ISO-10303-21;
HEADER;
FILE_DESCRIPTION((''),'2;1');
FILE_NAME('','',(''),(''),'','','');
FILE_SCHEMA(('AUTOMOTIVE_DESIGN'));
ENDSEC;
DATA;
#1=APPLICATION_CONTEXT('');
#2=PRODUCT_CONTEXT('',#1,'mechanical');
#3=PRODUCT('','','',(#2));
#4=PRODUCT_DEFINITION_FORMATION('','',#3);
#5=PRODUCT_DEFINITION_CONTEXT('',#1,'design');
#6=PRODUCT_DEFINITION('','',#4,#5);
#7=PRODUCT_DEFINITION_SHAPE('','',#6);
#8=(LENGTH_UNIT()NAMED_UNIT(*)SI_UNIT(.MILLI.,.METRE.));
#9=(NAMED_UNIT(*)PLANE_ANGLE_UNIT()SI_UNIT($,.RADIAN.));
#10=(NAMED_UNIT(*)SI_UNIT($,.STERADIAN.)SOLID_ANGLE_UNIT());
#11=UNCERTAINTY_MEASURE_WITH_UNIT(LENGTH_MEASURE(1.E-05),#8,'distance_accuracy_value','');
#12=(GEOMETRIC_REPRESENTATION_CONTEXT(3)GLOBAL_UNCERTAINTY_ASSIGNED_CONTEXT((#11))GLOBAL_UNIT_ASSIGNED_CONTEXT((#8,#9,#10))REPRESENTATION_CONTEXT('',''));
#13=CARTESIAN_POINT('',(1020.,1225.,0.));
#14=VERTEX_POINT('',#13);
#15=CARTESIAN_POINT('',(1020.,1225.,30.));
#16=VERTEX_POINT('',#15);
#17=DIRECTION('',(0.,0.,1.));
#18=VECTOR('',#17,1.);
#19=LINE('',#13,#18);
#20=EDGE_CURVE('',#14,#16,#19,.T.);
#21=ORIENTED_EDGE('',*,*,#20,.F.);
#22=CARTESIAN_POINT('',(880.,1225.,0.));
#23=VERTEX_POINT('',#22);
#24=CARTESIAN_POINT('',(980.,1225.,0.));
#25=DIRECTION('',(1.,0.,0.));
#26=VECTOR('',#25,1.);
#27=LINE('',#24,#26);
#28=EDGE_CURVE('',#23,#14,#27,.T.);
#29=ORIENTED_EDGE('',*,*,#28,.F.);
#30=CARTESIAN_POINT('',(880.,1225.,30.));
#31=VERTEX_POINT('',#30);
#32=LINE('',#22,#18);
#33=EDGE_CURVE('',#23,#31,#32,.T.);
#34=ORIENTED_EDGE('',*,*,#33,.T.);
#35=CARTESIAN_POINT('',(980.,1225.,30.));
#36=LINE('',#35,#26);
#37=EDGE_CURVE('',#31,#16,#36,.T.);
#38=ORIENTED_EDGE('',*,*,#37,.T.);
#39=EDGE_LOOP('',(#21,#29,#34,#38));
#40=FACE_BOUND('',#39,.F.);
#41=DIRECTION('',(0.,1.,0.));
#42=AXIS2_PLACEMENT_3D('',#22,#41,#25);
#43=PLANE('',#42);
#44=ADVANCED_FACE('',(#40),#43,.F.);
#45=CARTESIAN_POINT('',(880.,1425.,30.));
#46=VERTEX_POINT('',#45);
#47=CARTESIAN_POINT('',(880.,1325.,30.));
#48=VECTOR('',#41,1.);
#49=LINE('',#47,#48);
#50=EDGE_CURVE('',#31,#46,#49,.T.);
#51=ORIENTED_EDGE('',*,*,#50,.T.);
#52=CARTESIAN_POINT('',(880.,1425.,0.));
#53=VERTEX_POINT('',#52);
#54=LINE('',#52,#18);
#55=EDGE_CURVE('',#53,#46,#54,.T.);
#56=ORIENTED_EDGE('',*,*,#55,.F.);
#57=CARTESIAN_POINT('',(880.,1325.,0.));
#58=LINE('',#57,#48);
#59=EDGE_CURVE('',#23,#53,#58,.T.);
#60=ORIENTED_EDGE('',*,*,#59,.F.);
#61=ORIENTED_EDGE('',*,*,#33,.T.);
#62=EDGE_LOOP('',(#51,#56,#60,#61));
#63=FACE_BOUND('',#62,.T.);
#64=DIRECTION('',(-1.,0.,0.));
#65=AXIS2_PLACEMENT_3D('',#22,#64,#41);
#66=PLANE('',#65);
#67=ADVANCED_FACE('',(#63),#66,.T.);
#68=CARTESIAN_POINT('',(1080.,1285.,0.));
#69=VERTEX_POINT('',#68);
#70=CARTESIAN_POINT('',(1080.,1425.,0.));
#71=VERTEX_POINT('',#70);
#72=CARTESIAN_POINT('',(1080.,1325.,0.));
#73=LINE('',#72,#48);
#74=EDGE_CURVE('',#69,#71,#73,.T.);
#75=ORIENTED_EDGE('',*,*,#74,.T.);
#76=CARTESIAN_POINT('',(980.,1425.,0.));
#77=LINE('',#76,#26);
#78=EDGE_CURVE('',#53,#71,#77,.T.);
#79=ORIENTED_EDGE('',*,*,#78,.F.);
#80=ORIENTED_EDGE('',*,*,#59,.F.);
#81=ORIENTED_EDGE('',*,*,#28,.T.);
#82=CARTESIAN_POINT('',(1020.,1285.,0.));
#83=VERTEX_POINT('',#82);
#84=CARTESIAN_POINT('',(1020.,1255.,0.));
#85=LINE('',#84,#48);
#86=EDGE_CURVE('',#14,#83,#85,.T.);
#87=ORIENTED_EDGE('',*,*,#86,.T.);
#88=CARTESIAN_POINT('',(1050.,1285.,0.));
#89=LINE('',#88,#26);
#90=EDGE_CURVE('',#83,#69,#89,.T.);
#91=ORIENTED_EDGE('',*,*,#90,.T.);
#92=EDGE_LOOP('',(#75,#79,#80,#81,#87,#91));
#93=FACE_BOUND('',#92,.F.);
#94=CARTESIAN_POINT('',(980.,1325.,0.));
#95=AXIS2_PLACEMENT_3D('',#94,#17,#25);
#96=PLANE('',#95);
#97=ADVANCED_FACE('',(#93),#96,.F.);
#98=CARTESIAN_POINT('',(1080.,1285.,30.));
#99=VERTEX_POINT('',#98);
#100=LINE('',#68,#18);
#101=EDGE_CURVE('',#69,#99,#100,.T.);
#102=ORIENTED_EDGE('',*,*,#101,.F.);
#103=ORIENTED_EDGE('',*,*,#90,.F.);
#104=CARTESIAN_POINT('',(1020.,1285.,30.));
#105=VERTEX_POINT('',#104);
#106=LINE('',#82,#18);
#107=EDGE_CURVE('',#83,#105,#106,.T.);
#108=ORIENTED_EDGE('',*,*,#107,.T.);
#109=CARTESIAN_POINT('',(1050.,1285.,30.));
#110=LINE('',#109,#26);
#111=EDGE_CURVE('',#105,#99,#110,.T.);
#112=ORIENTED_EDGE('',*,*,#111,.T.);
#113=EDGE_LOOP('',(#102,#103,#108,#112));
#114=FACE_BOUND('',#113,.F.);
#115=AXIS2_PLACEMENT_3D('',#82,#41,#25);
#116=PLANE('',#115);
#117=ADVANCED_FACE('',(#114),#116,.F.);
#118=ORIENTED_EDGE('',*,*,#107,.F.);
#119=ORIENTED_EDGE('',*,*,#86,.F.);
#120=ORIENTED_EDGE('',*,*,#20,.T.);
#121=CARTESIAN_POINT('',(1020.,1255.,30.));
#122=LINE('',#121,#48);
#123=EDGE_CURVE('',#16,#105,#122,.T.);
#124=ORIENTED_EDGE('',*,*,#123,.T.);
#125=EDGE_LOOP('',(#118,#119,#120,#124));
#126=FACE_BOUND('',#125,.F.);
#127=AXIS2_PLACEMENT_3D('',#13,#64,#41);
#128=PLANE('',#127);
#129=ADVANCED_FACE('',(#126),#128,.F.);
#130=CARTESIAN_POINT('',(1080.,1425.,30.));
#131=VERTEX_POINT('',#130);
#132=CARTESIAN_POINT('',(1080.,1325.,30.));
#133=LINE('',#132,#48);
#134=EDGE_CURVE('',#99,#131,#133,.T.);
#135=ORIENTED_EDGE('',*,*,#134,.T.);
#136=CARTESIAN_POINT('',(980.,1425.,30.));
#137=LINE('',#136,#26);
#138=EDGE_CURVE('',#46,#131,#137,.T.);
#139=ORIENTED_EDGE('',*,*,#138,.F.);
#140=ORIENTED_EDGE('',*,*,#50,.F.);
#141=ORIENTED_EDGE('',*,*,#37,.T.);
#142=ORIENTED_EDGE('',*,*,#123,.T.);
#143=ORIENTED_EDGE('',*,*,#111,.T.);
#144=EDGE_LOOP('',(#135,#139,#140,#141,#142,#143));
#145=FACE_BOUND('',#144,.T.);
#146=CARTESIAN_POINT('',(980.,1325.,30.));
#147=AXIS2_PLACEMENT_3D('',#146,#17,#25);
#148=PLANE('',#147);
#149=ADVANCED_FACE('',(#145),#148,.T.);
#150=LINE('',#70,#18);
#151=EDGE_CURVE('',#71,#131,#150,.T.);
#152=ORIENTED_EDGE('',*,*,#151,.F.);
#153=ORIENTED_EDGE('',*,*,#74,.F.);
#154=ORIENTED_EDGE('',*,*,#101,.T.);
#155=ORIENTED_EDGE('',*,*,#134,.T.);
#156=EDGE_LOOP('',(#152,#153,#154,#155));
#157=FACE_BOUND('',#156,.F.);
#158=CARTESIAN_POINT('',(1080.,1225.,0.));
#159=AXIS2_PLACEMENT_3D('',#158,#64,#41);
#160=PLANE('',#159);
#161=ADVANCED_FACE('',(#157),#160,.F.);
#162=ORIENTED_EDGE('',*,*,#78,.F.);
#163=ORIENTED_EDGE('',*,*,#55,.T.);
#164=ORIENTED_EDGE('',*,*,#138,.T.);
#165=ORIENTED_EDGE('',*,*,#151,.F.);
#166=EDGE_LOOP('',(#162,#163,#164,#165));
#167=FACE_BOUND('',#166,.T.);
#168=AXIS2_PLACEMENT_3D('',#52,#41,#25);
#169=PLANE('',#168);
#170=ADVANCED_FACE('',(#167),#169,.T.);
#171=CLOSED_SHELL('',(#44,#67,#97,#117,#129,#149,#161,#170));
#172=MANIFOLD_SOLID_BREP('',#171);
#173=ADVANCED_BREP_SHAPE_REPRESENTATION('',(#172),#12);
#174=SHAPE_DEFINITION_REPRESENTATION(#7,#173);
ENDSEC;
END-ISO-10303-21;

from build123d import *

# Parameters (mm, degrees)
BOX007_W     = 60
BOX007_H     = 60
BOX007_DEPTH = 30
BOX006_W     = 200
BOX006_H     = 200
BOX006_DEPTH = 30


with BuildPart() as base_3_recorte:
    # Box007 → Box007 (new body)
    with BuildSketch(Plane(origin=(1020, 1225, 0), x_dir=(1, 0, 0), z_dir=(0, 0, 1))):
        with Locations((30, 30)):
            Rectangle(BOX007_W, BOX007_H)
    extrude(amount=BOX007_DEPTH)


with BuildPart() as cut002:
    # Box006 → Box006 (new body)
    with BuildSketch(Plane(origin=(880, 1225, 0), x_dir=(1, 0, 0), z_dir=(0, 0, 1))):
        with Locations((100, 100)):
            Rectangle(BOX006_W, BOX006_H)
    extrude(amount=BOX006_DEPTH)

    # Cut002: cut base_3_recorte
    add(base_3_recorte.part, mode=Mode.SUBTRACT)


solid = cut002.part
